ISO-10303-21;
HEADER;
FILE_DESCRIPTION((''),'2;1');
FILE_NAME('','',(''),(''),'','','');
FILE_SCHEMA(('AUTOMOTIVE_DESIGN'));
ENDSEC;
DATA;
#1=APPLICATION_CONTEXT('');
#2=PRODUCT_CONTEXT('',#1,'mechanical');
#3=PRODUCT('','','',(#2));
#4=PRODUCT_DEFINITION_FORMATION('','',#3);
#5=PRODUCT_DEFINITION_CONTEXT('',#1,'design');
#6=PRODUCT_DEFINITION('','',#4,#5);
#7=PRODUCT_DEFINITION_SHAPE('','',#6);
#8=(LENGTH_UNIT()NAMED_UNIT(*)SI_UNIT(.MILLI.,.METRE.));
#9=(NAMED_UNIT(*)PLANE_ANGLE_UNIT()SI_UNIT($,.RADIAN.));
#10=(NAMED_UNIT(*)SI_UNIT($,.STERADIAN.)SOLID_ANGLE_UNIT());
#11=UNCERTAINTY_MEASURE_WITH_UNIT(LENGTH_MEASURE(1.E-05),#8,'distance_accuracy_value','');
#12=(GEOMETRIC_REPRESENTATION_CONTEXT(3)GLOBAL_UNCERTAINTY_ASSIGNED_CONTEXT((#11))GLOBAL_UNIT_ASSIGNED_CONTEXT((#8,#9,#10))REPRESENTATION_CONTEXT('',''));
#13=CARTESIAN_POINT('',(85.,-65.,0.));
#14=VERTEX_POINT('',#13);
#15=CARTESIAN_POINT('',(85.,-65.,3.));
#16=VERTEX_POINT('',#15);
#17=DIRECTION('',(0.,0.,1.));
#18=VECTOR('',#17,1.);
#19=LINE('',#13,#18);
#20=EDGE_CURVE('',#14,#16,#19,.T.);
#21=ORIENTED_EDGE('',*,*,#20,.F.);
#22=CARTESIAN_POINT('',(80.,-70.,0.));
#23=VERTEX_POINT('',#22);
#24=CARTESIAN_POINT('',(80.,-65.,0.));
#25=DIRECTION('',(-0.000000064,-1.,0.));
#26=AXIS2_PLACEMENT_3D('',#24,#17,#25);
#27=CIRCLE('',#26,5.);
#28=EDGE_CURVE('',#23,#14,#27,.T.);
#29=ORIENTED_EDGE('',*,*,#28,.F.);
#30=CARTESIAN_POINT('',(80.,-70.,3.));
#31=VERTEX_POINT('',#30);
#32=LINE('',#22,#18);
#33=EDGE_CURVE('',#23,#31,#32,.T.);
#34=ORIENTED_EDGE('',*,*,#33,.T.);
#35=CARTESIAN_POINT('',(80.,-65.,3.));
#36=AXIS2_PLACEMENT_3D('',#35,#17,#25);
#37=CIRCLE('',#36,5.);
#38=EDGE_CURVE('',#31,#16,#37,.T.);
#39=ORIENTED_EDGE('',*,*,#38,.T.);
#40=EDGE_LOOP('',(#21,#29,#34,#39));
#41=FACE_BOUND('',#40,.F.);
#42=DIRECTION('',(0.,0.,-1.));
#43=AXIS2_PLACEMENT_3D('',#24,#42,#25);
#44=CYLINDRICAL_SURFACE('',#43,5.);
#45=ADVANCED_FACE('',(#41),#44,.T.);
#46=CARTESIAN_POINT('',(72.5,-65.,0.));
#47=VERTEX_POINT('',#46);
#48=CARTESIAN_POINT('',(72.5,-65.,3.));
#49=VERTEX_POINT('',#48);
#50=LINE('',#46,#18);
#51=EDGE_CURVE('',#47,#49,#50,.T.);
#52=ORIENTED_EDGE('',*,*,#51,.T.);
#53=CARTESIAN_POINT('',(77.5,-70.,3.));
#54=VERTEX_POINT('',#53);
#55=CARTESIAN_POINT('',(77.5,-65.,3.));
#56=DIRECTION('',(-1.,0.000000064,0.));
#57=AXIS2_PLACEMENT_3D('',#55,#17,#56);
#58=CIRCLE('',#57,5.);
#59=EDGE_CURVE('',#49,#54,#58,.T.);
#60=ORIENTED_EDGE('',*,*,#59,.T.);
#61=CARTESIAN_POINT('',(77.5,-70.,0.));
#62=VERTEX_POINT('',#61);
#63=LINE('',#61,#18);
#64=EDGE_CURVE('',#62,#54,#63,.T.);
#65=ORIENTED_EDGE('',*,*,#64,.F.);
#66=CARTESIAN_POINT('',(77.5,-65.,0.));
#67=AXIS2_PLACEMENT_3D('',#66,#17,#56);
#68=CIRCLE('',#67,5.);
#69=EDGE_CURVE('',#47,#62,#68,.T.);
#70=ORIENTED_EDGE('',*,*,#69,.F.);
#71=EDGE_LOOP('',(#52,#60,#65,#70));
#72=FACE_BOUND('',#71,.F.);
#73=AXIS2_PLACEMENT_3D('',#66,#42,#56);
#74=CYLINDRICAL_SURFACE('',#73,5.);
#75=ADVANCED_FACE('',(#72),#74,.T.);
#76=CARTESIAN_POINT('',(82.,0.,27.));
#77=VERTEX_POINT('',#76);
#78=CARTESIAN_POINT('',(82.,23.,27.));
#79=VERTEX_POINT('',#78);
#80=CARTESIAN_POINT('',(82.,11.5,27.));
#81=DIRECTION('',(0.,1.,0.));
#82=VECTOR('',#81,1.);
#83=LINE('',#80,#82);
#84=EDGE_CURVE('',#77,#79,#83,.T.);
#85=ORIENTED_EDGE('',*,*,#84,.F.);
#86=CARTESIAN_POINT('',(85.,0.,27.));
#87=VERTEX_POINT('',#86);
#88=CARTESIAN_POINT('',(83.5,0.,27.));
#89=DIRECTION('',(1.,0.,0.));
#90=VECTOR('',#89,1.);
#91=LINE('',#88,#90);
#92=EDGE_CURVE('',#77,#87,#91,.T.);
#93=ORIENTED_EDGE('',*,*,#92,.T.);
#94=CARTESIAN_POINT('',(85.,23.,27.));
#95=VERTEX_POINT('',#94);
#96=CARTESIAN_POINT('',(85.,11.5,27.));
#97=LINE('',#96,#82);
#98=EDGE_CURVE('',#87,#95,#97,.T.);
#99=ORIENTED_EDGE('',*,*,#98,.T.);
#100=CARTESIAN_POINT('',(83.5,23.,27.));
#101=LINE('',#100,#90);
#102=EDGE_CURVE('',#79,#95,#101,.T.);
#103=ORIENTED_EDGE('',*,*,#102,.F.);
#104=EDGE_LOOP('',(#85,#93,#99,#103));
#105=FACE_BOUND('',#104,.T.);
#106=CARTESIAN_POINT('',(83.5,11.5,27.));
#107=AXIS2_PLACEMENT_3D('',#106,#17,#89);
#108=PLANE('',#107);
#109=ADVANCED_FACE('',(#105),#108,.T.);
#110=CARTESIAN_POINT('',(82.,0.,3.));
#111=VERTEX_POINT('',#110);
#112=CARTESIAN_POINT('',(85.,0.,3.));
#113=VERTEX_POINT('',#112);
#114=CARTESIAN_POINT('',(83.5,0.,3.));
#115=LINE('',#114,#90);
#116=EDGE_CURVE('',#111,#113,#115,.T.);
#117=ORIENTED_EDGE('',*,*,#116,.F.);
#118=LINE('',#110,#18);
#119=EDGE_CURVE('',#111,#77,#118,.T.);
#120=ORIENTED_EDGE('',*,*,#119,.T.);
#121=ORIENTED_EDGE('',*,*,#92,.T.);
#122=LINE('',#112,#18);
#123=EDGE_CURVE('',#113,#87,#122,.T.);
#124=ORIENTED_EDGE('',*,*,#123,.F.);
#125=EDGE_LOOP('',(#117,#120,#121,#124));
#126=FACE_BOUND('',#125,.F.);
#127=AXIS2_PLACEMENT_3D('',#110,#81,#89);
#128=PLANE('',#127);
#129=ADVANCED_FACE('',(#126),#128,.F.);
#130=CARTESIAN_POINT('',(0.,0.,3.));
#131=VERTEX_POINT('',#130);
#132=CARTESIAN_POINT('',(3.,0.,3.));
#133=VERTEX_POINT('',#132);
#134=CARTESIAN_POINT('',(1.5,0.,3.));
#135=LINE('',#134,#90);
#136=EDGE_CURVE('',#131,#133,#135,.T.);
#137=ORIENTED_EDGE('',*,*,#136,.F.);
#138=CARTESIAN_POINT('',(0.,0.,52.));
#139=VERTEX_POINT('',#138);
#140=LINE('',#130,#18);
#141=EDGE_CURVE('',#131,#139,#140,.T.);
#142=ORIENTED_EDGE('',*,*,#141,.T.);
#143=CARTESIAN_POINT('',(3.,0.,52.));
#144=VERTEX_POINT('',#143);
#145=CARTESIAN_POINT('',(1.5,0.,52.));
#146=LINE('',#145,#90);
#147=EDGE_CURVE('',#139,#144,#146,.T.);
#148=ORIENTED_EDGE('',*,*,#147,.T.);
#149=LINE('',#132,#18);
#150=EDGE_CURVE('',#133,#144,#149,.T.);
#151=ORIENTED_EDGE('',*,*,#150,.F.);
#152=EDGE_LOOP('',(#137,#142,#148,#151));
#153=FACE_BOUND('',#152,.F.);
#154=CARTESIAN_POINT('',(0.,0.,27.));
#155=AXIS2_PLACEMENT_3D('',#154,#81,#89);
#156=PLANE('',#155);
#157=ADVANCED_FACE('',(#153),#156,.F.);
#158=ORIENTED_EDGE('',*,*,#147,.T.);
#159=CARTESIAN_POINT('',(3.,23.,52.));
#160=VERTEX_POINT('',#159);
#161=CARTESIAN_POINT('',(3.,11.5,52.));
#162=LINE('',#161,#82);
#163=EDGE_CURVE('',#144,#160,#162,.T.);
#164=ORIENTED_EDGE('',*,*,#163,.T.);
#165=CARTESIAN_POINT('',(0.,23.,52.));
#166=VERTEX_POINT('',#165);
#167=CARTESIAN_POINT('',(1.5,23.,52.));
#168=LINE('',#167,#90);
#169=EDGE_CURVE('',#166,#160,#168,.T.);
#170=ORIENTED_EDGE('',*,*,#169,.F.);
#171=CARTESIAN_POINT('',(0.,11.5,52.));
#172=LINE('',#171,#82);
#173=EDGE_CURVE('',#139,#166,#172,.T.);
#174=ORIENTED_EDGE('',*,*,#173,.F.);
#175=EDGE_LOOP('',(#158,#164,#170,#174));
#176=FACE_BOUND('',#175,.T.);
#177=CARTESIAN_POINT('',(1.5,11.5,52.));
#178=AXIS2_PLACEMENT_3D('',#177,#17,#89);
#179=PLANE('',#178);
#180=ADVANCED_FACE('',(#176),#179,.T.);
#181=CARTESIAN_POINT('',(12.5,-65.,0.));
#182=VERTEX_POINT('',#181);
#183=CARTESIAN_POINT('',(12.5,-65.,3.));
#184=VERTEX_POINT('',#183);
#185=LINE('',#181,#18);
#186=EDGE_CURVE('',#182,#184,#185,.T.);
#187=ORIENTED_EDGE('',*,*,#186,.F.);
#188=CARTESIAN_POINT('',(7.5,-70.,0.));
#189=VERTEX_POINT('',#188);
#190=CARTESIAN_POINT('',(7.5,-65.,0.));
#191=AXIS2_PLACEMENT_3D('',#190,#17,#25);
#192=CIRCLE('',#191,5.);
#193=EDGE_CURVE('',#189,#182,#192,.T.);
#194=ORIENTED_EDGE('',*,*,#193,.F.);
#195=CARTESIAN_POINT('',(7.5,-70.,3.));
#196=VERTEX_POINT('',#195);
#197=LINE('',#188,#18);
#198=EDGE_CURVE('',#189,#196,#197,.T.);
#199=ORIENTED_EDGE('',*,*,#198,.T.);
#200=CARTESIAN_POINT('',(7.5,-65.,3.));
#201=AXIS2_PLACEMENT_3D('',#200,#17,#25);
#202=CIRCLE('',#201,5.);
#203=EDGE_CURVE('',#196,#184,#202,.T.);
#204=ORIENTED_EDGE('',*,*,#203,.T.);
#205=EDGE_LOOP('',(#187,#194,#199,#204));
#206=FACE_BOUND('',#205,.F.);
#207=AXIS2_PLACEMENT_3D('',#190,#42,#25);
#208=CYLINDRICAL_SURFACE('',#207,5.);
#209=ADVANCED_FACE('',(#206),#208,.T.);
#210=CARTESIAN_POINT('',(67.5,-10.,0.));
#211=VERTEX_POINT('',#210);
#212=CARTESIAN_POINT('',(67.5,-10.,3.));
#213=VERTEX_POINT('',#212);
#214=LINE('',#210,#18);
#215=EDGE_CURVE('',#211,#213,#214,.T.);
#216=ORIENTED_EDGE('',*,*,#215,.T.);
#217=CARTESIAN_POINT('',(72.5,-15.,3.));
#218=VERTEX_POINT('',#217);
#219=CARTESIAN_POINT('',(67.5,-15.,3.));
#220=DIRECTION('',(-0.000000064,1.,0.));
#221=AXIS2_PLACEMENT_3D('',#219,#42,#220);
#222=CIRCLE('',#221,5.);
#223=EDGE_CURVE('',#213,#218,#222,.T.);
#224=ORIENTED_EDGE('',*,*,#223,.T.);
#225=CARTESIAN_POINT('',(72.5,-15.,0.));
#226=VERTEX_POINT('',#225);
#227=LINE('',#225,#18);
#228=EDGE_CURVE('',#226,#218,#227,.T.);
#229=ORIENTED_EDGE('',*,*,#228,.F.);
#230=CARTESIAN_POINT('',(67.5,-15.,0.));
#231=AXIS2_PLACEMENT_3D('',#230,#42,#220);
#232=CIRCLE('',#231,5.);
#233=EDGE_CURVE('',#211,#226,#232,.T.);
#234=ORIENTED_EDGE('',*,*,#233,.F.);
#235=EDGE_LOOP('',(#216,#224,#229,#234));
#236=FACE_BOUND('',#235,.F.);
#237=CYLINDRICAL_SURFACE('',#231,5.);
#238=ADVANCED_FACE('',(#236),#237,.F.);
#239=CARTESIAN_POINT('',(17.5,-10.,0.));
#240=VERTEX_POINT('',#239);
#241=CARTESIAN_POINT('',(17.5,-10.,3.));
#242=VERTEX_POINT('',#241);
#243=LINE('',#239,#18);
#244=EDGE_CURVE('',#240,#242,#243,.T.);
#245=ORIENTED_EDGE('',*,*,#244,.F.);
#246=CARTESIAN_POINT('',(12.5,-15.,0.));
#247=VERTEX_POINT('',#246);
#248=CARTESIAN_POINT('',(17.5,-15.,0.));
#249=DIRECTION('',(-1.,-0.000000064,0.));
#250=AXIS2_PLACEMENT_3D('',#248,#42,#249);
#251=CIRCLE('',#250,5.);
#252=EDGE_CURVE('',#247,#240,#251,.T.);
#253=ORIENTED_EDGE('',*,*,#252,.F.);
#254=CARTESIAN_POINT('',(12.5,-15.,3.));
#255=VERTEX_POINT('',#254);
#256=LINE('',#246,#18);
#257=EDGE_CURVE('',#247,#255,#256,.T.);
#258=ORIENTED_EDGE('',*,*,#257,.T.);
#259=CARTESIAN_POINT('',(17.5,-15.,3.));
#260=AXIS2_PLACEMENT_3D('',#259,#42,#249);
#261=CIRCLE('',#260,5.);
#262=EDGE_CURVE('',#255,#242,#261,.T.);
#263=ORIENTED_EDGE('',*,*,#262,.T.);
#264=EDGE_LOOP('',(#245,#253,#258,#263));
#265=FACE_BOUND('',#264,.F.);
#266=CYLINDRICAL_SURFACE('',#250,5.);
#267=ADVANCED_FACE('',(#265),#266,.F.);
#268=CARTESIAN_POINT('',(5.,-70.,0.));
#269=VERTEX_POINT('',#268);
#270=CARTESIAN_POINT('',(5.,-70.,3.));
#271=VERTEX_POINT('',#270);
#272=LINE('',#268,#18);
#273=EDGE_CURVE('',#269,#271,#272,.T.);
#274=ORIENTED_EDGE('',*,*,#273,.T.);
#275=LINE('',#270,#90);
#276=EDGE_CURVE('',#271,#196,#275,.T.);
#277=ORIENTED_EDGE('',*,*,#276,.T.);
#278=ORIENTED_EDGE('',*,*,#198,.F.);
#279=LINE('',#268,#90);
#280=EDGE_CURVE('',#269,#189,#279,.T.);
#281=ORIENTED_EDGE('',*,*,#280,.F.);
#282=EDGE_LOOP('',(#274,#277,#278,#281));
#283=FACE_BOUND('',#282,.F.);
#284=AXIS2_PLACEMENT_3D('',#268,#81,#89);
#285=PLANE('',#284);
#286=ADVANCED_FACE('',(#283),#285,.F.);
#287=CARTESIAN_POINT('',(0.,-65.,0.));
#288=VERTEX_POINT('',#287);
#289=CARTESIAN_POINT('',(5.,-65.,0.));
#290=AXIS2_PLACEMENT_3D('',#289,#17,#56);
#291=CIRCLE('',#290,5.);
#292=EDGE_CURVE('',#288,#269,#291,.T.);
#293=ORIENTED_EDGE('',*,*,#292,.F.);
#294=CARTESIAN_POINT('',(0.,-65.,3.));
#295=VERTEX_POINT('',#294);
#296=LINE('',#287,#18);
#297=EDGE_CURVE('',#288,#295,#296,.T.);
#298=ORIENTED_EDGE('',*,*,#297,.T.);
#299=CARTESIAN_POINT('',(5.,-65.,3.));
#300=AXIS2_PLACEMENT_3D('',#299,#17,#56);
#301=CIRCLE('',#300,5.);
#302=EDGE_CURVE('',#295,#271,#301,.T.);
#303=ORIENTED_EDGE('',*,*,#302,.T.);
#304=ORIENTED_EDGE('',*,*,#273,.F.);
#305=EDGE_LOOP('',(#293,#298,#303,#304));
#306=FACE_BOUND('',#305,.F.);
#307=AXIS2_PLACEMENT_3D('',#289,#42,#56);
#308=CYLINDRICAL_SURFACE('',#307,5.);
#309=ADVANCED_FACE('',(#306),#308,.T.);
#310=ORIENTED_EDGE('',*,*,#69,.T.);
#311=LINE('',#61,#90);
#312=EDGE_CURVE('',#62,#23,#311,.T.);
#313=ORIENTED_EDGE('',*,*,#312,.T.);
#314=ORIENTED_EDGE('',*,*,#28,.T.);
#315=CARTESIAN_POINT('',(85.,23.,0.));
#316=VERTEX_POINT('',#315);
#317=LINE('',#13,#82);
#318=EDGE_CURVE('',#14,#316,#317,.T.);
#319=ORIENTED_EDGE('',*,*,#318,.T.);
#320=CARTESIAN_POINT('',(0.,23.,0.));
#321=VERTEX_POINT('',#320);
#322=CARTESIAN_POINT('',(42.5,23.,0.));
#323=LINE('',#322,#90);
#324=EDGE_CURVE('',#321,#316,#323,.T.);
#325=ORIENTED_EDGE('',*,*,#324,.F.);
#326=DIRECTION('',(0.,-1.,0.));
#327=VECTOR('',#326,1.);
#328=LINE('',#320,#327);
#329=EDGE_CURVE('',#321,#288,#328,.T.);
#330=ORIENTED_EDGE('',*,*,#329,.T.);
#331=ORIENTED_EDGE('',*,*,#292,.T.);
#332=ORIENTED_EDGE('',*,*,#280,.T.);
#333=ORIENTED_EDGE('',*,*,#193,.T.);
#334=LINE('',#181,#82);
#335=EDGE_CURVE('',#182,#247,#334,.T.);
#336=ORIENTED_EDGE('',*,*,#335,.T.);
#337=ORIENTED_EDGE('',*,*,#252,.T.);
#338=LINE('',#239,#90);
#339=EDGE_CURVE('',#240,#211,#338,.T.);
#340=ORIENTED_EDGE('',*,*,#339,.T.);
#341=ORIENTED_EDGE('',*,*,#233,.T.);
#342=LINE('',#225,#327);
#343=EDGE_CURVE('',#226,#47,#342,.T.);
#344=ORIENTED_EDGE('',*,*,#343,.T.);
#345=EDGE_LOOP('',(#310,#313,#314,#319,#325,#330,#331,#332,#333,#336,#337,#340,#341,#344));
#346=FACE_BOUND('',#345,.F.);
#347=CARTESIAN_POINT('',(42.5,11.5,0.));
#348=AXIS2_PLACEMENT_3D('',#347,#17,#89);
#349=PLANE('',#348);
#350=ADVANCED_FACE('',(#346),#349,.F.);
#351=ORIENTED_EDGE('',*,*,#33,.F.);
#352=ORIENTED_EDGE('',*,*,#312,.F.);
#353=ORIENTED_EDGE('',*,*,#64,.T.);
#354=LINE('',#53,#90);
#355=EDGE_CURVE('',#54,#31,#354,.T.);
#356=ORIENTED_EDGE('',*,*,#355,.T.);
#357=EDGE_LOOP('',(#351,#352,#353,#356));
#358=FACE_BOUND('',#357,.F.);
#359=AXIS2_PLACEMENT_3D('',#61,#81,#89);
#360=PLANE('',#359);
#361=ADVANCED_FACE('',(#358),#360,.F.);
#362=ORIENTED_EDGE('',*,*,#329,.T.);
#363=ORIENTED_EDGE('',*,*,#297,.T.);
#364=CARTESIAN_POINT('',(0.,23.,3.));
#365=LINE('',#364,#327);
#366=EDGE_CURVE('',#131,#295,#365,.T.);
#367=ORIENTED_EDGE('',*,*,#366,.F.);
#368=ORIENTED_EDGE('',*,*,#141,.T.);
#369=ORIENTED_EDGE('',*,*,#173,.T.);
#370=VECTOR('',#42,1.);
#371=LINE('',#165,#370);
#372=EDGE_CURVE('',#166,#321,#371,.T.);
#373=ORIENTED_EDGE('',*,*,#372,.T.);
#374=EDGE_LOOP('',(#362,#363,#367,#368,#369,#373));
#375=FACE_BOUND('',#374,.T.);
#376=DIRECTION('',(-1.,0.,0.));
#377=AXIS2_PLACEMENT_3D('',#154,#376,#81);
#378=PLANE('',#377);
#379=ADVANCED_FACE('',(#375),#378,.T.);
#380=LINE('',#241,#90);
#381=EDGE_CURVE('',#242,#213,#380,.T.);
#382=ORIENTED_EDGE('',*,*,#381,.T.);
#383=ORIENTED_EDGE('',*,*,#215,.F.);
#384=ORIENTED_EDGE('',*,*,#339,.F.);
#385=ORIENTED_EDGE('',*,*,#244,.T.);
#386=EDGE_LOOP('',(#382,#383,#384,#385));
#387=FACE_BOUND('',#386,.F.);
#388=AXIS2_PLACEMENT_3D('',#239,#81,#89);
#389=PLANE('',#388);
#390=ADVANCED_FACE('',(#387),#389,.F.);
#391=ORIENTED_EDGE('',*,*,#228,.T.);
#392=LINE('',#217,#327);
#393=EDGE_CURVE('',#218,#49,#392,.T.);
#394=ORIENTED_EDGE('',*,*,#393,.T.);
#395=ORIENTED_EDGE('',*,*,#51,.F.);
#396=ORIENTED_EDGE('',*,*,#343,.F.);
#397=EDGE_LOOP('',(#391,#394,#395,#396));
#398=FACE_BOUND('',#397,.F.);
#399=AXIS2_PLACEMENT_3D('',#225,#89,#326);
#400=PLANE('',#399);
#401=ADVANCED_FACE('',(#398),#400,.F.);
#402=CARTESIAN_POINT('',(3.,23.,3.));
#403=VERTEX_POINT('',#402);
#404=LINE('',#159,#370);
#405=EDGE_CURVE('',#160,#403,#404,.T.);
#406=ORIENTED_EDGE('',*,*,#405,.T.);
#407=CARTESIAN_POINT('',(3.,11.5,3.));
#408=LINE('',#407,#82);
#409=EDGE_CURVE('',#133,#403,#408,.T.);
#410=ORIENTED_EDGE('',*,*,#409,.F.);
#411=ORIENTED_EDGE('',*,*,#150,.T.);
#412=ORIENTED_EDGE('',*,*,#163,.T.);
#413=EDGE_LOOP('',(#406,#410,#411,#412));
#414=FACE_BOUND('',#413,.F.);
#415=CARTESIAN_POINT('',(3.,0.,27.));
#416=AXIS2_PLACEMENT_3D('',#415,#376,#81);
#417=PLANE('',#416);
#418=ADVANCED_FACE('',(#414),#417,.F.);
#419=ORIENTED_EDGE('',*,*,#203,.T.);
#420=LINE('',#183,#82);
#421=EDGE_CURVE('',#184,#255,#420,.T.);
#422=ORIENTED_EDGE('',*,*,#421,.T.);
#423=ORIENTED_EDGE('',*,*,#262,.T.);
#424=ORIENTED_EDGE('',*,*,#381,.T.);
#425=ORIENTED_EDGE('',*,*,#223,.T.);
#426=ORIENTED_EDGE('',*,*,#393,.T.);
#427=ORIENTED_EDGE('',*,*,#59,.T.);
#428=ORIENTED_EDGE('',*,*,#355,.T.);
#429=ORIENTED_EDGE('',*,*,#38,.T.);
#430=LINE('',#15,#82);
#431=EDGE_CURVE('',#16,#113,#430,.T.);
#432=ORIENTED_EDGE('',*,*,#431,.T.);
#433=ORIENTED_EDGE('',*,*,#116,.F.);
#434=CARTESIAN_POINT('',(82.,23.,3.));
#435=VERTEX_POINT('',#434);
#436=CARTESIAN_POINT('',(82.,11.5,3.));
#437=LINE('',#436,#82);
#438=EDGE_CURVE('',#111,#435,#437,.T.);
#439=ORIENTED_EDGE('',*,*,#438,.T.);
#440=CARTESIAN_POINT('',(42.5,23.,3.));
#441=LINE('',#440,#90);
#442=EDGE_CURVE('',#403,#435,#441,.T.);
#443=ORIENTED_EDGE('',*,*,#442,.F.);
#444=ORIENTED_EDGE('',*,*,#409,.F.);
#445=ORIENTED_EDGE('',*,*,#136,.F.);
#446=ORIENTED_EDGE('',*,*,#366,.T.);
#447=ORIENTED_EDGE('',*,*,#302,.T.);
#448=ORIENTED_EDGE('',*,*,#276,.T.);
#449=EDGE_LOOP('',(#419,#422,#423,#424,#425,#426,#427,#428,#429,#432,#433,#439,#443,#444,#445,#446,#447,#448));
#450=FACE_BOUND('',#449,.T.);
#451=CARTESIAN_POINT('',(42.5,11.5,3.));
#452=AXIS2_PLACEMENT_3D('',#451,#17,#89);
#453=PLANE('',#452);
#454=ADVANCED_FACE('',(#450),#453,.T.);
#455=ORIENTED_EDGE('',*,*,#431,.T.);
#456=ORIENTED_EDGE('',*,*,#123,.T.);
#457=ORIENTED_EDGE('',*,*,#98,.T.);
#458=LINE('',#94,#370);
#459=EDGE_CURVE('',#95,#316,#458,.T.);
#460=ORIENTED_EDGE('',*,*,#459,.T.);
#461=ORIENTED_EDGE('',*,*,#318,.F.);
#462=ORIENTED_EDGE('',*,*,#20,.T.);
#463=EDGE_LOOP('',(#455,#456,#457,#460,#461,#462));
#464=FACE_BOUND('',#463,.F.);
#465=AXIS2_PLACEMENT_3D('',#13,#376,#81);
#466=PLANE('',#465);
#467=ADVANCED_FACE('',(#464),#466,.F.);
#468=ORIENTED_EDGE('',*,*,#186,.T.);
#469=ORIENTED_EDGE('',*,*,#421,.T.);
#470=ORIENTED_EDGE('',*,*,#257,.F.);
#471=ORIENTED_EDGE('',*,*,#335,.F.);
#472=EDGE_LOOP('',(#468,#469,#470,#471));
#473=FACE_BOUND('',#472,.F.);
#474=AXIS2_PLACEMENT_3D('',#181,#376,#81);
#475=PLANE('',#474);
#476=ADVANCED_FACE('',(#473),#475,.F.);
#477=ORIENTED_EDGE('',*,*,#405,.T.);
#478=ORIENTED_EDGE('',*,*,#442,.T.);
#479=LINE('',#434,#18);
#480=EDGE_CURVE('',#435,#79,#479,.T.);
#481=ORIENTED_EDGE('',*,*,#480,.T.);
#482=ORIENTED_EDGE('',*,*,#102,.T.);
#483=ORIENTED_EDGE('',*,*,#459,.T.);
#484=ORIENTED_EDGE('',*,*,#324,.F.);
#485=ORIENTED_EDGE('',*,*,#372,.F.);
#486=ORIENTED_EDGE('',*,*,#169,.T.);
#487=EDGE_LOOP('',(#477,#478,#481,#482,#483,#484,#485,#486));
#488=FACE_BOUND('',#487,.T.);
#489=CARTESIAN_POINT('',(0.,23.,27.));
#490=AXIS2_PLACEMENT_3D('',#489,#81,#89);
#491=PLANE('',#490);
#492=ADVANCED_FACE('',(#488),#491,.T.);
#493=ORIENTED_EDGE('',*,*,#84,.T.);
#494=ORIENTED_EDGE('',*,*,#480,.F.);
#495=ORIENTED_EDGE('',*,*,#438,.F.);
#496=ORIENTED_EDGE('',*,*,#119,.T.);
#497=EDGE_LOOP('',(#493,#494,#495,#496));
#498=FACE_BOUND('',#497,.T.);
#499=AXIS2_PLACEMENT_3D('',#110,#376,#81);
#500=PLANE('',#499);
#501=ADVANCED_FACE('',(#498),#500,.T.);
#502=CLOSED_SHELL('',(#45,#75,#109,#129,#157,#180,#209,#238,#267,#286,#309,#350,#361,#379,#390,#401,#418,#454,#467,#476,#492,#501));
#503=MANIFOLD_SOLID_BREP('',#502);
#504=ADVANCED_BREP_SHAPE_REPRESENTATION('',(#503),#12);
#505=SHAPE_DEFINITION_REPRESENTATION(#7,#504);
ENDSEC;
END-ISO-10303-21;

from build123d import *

# Parameters (mm, degrees)
F0_W     = 85
F0_H     = 23
F1_DEPTH = 3
F2_W     = 3
F2_H     = 23
F3_DEPTH = 24
F4_W     = 3
F4_H     = 23
F5_DEPTH = 25


with BuildPart() as f1:
    # F0 (on Top) → F1 (new body)
    with BuildSketch(Plane.XY):
        with Locations((42.5, 11.5)):
            Rectangle(F0_W, F0_H)
        with BuildLine():
            Line((85, 0), (0, 0))
            Line((0, 0), (0, -10))
            Line((0, -10), (0, -65))
            ThreePointArc((0, -65), (1.464466, -68.535534), (5, -70))
            Line((5, -70), (7.5, -70))
            ThreePointArc((7.5, -70), (11.035534, -68.535534), (12.5, -65))
            Line((12.5, -65), (12.5, -15))
            ThreePointArc((12.5, -15), (13.964466, -11.464466), (17.5, -10))
            Line((17.5, -10), (67.5, -10))
            ThreePointArc((67.5, -10), (71.035534, -11.464466), (72.5, -15))
            Line((72.5, -15), (72.5, -65))
            ThreePointArc((72.5, -65), (73.964466, -68.535534), (77.5, -70))
            Line((77.5, -70), (80, -70))
            ThreePointArc((80, -70), (83.535534, -68.535534), (85, -65))
            Line((85, -65), (85, -10))
            Line((85, -10), (85, 0))
        make_face()
    extrude(amount=F1_DEPTH)

    # F2 (on face) → F3 (join)
    with BuildSketch(Plane.XY.offset(3)):
        with Locations((1.5, 11.5)):
            Rectangle(F2_W, F2_H)
        with Locations((83.5, 11.5)):
            Rectangle(F2_W, F2_H)
    extrude(amount=F3_DEPTH)

    # F4 (on face) → F5 (join)
    with BuildSketch(Plane.XY.offset(27)):
        with Locations((1.5, 11.5)):
            Rectangle(F4_W, F4_H)
    extrude(amount=F5_DEPTH)


solid = f1.part
